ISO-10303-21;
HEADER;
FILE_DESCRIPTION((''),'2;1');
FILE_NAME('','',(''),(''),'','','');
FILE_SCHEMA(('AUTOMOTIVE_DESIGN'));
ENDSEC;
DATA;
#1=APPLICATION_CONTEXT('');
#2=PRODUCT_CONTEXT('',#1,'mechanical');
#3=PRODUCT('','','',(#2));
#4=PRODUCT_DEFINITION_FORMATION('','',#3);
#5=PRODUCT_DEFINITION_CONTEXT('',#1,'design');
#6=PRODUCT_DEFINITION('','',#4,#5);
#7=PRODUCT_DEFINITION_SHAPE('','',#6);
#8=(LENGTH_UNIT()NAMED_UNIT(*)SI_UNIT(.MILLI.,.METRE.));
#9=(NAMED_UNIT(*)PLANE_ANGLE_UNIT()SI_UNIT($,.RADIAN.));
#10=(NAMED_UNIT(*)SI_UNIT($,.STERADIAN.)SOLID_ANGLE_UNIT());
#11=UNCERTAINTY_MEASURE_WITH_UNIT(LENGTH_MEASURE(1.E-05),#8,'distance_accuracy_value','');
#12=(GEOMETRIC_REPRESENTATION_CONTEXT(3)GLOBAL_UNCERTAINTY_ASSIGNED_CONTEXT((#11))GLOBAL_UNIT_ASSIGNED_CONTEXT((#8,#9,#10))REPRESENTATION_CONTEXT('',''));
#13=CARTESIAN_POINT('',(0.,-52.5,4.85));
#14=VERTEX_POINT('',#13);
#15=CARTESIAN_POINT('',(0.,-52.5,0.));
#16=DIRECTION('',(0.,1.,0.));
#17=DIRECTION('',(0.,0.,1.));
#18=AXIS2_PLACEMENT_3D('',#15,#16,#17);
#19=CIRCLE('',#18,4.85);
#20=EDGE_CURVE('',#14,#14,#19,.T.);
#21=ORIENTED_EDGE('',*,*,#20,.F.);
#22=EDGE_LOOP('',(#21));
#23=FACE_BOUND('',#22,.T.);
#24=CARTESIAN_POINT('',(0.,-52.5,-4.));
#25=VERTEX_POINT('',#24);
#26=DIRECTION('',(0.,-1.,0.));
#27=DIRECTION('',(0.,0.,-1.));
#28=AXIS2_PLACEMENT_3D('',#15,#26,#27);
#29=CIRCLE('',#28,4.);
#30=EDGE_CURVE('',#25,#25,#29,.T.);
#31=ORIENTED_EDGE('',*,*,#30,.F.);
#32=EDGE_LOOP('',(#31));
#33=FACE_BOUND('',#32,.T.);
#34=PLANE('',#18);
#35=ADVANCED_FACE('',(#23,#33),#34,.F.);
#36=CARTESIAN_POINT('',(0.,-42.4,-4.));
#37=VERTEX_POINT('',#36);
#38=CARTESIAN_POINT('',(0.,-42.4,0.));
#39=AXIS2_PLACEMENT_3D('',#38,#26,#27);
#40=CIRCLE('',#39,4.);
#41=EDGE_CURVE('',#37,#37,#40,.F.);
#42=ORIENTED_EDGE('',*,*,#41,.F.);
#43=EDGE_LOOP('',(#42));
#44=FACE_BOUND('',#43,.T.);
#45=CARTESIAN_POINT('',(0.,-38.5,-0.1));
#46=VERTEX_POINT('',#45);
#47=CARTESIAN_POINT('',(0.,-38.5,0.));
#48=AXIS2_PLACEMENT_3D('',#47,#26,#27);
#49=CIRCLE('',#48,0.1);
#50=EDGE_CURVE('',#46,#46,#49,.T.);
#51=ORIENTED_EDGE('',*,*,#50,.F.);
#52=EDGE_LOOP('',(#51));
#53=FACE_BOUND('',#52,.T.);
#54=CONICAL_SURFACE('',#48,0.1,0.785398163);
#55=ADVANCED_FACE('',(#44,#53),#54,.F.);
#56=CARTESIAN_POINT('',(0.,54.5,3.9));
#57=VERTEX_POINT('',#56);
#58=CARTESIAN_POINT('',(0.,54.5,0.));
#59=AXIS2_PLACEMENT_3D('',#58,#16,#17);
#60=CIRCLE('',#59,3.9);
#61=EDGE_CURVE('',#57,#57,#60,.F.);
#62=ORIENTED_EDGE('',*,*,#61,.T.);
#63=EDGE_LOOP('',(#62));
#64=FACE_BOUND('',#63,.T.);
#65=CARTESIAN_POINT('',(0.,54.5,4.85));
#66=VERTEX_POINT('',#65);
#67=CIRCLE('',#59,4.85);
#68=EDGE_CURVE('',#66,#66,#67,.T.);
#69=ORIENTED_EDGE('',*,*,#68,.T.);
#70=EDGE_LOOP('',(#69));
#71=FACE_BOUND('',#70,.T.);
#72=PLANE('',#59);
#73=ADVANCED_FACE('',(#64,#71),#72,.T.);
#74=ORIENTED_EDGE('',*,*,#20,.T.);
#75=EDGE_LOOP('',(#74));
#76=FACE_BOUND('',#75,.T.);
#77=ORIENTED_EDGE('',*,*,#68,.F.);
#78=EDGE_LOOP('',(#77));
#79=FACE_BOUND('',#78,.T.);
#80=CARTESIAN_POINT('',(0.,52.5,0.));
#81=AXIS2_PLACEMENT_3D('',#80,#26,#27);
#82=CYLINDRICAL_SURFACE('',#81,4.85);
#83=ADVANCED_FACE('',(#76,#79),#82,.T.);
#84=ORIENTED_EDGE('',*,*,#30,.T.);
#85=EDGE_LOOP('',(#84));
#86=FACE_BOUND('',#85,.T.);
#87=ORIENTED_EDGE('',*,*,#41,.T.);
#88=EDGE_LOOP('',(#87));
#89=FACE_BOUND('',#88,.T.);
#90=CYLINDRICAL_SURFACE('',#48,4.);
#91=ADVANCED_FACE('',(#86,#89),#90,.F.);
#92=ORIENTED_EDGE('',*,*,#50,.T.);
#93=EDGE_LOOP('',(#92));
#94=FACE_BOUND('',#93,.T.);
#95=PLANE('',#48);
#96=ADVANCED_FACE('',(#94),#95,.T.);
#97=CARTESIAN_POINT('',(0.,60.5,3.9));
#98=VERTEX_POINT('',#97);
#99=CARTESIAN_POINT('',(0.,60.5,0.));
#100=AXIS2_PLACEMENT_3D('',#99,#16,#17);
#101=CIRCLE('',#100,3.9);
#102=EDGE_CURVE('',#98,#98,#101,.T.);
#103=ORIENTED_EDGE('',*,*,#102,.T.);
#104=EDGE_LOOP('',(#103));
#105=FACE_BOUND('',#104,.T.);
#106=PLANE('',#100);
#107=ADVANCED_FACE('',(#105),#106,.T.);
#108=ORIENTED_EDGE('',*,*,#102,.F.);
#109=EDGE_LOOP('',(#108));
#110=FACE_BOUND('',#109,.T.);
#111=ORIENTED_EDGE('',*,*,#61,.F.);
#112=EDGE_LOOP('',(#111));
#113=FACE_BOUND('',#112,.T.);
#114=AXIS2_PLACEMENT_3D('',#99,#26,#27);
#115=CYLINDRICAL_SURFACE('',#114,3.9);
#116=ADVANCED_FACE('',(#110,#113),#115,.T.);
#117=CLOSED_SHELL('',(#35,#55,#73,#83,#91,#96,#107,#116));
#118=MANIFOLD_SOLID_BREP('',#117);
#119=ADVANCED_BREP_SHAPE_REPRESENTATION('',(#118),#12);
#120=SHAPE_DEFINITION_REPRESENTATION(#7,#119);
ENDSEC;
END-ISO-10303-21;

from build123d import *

# Parameters (mm, degrees)
SKETCH1_R           = 4.85
SKETCH1_R_2         = 4
BOSS_EXTRUDE1_DEPTH = 52.5
SKETCH2_R           = 3.9
BOSS_EXTRUDE2_DEPTH = 8
SKETCH3_R           = 4.85
BOSS_EXTRUDE3_DEPTH = 2
CHAMFER1_SIZE       = 4
SKETCH4_R           = 4.85
BOSS_EXTRUDE4_DEPTH = 107
SKETCH5_R           = 4
CUT_EXTRUDE1_DEPTH  = 14
CHAMFER2_SIZE       = 3.9


with BuildPart() as part:
    # Sketch1 → Boss-Extrude1 (new body, symmetric)
    with BuildSketch(Plane(origin=(0, 0, 0), x_dir=(1, 0, 0), z_dir=(0, 1, 0))):
        Circle(SKETCH1_R)
        Circle(SKETCH1_R_2, mode=Mode.SUBTRACT)
    extrude(amount=BOSS_EXTRUDE1_DEPTH, both=True)



with BuildPart() as body_2:
    # Sketch2 → Boss-Extrude2 (new body)
    with BuildSketch(Plane(origin=(0, 52.5, 0), x_dir=(1, 0, 0), z_dir=(0, 1, 0))):
        Circle(SKETCH2_R)
    extrude(amount=BOSS_EXTRUDE2_DEPTH)


with BuildPart() as part_1:
    add(part.part)

    add(body_2.part)  # Boss-Extrude3 merges body 2
    # Sketch3 → Boss-Extrude3 (add)
    with BuildSketch(Plane(origin=(0, 52.5, 0), x_dir=(1, 0, 0), z_dir=(0, 1, 0))):
        Circle(SKETCH3_R)
    extrude(amount=BOSS_EXTRUDE3_DEPTH)

    # Chamfer1
    chamfer1_edges = [part_1.edges().sort_by_distance(p)[0] for p in [
        (-4, 52.5, 0),
    ]]
    chamfer(chamfer1_edges, length=CHAMFER1_SIZE)

    # Sketch4 → Boss-Extrude4 (add)
    with BuildSketch(Plane.XZ.offset(52.5)):
        Circle(SKETCH4_R)
    extrude(amount=-BOSS_EXTRUDE4_DEPTH)

    # Sketch5 → Cut-Extrude1 (cut)
    with BuildSketch(Plane.XZ.offset(52.5)):
        Circle(SKETCH5_R)
    extrude(amount=-CUT_EXTRUDE1_DEPTH, mode=Mode.SUBTRACT)

    # Chamfer2
    chamfer2_edges = [part_1.edges().sort_by_distance(p)[0] for p in [
        (-4, -38.5, 0),
    ]]
    chamfer(chamfer2_edges, length=CHAMFER2_SIZE)


solid = part_1.part
